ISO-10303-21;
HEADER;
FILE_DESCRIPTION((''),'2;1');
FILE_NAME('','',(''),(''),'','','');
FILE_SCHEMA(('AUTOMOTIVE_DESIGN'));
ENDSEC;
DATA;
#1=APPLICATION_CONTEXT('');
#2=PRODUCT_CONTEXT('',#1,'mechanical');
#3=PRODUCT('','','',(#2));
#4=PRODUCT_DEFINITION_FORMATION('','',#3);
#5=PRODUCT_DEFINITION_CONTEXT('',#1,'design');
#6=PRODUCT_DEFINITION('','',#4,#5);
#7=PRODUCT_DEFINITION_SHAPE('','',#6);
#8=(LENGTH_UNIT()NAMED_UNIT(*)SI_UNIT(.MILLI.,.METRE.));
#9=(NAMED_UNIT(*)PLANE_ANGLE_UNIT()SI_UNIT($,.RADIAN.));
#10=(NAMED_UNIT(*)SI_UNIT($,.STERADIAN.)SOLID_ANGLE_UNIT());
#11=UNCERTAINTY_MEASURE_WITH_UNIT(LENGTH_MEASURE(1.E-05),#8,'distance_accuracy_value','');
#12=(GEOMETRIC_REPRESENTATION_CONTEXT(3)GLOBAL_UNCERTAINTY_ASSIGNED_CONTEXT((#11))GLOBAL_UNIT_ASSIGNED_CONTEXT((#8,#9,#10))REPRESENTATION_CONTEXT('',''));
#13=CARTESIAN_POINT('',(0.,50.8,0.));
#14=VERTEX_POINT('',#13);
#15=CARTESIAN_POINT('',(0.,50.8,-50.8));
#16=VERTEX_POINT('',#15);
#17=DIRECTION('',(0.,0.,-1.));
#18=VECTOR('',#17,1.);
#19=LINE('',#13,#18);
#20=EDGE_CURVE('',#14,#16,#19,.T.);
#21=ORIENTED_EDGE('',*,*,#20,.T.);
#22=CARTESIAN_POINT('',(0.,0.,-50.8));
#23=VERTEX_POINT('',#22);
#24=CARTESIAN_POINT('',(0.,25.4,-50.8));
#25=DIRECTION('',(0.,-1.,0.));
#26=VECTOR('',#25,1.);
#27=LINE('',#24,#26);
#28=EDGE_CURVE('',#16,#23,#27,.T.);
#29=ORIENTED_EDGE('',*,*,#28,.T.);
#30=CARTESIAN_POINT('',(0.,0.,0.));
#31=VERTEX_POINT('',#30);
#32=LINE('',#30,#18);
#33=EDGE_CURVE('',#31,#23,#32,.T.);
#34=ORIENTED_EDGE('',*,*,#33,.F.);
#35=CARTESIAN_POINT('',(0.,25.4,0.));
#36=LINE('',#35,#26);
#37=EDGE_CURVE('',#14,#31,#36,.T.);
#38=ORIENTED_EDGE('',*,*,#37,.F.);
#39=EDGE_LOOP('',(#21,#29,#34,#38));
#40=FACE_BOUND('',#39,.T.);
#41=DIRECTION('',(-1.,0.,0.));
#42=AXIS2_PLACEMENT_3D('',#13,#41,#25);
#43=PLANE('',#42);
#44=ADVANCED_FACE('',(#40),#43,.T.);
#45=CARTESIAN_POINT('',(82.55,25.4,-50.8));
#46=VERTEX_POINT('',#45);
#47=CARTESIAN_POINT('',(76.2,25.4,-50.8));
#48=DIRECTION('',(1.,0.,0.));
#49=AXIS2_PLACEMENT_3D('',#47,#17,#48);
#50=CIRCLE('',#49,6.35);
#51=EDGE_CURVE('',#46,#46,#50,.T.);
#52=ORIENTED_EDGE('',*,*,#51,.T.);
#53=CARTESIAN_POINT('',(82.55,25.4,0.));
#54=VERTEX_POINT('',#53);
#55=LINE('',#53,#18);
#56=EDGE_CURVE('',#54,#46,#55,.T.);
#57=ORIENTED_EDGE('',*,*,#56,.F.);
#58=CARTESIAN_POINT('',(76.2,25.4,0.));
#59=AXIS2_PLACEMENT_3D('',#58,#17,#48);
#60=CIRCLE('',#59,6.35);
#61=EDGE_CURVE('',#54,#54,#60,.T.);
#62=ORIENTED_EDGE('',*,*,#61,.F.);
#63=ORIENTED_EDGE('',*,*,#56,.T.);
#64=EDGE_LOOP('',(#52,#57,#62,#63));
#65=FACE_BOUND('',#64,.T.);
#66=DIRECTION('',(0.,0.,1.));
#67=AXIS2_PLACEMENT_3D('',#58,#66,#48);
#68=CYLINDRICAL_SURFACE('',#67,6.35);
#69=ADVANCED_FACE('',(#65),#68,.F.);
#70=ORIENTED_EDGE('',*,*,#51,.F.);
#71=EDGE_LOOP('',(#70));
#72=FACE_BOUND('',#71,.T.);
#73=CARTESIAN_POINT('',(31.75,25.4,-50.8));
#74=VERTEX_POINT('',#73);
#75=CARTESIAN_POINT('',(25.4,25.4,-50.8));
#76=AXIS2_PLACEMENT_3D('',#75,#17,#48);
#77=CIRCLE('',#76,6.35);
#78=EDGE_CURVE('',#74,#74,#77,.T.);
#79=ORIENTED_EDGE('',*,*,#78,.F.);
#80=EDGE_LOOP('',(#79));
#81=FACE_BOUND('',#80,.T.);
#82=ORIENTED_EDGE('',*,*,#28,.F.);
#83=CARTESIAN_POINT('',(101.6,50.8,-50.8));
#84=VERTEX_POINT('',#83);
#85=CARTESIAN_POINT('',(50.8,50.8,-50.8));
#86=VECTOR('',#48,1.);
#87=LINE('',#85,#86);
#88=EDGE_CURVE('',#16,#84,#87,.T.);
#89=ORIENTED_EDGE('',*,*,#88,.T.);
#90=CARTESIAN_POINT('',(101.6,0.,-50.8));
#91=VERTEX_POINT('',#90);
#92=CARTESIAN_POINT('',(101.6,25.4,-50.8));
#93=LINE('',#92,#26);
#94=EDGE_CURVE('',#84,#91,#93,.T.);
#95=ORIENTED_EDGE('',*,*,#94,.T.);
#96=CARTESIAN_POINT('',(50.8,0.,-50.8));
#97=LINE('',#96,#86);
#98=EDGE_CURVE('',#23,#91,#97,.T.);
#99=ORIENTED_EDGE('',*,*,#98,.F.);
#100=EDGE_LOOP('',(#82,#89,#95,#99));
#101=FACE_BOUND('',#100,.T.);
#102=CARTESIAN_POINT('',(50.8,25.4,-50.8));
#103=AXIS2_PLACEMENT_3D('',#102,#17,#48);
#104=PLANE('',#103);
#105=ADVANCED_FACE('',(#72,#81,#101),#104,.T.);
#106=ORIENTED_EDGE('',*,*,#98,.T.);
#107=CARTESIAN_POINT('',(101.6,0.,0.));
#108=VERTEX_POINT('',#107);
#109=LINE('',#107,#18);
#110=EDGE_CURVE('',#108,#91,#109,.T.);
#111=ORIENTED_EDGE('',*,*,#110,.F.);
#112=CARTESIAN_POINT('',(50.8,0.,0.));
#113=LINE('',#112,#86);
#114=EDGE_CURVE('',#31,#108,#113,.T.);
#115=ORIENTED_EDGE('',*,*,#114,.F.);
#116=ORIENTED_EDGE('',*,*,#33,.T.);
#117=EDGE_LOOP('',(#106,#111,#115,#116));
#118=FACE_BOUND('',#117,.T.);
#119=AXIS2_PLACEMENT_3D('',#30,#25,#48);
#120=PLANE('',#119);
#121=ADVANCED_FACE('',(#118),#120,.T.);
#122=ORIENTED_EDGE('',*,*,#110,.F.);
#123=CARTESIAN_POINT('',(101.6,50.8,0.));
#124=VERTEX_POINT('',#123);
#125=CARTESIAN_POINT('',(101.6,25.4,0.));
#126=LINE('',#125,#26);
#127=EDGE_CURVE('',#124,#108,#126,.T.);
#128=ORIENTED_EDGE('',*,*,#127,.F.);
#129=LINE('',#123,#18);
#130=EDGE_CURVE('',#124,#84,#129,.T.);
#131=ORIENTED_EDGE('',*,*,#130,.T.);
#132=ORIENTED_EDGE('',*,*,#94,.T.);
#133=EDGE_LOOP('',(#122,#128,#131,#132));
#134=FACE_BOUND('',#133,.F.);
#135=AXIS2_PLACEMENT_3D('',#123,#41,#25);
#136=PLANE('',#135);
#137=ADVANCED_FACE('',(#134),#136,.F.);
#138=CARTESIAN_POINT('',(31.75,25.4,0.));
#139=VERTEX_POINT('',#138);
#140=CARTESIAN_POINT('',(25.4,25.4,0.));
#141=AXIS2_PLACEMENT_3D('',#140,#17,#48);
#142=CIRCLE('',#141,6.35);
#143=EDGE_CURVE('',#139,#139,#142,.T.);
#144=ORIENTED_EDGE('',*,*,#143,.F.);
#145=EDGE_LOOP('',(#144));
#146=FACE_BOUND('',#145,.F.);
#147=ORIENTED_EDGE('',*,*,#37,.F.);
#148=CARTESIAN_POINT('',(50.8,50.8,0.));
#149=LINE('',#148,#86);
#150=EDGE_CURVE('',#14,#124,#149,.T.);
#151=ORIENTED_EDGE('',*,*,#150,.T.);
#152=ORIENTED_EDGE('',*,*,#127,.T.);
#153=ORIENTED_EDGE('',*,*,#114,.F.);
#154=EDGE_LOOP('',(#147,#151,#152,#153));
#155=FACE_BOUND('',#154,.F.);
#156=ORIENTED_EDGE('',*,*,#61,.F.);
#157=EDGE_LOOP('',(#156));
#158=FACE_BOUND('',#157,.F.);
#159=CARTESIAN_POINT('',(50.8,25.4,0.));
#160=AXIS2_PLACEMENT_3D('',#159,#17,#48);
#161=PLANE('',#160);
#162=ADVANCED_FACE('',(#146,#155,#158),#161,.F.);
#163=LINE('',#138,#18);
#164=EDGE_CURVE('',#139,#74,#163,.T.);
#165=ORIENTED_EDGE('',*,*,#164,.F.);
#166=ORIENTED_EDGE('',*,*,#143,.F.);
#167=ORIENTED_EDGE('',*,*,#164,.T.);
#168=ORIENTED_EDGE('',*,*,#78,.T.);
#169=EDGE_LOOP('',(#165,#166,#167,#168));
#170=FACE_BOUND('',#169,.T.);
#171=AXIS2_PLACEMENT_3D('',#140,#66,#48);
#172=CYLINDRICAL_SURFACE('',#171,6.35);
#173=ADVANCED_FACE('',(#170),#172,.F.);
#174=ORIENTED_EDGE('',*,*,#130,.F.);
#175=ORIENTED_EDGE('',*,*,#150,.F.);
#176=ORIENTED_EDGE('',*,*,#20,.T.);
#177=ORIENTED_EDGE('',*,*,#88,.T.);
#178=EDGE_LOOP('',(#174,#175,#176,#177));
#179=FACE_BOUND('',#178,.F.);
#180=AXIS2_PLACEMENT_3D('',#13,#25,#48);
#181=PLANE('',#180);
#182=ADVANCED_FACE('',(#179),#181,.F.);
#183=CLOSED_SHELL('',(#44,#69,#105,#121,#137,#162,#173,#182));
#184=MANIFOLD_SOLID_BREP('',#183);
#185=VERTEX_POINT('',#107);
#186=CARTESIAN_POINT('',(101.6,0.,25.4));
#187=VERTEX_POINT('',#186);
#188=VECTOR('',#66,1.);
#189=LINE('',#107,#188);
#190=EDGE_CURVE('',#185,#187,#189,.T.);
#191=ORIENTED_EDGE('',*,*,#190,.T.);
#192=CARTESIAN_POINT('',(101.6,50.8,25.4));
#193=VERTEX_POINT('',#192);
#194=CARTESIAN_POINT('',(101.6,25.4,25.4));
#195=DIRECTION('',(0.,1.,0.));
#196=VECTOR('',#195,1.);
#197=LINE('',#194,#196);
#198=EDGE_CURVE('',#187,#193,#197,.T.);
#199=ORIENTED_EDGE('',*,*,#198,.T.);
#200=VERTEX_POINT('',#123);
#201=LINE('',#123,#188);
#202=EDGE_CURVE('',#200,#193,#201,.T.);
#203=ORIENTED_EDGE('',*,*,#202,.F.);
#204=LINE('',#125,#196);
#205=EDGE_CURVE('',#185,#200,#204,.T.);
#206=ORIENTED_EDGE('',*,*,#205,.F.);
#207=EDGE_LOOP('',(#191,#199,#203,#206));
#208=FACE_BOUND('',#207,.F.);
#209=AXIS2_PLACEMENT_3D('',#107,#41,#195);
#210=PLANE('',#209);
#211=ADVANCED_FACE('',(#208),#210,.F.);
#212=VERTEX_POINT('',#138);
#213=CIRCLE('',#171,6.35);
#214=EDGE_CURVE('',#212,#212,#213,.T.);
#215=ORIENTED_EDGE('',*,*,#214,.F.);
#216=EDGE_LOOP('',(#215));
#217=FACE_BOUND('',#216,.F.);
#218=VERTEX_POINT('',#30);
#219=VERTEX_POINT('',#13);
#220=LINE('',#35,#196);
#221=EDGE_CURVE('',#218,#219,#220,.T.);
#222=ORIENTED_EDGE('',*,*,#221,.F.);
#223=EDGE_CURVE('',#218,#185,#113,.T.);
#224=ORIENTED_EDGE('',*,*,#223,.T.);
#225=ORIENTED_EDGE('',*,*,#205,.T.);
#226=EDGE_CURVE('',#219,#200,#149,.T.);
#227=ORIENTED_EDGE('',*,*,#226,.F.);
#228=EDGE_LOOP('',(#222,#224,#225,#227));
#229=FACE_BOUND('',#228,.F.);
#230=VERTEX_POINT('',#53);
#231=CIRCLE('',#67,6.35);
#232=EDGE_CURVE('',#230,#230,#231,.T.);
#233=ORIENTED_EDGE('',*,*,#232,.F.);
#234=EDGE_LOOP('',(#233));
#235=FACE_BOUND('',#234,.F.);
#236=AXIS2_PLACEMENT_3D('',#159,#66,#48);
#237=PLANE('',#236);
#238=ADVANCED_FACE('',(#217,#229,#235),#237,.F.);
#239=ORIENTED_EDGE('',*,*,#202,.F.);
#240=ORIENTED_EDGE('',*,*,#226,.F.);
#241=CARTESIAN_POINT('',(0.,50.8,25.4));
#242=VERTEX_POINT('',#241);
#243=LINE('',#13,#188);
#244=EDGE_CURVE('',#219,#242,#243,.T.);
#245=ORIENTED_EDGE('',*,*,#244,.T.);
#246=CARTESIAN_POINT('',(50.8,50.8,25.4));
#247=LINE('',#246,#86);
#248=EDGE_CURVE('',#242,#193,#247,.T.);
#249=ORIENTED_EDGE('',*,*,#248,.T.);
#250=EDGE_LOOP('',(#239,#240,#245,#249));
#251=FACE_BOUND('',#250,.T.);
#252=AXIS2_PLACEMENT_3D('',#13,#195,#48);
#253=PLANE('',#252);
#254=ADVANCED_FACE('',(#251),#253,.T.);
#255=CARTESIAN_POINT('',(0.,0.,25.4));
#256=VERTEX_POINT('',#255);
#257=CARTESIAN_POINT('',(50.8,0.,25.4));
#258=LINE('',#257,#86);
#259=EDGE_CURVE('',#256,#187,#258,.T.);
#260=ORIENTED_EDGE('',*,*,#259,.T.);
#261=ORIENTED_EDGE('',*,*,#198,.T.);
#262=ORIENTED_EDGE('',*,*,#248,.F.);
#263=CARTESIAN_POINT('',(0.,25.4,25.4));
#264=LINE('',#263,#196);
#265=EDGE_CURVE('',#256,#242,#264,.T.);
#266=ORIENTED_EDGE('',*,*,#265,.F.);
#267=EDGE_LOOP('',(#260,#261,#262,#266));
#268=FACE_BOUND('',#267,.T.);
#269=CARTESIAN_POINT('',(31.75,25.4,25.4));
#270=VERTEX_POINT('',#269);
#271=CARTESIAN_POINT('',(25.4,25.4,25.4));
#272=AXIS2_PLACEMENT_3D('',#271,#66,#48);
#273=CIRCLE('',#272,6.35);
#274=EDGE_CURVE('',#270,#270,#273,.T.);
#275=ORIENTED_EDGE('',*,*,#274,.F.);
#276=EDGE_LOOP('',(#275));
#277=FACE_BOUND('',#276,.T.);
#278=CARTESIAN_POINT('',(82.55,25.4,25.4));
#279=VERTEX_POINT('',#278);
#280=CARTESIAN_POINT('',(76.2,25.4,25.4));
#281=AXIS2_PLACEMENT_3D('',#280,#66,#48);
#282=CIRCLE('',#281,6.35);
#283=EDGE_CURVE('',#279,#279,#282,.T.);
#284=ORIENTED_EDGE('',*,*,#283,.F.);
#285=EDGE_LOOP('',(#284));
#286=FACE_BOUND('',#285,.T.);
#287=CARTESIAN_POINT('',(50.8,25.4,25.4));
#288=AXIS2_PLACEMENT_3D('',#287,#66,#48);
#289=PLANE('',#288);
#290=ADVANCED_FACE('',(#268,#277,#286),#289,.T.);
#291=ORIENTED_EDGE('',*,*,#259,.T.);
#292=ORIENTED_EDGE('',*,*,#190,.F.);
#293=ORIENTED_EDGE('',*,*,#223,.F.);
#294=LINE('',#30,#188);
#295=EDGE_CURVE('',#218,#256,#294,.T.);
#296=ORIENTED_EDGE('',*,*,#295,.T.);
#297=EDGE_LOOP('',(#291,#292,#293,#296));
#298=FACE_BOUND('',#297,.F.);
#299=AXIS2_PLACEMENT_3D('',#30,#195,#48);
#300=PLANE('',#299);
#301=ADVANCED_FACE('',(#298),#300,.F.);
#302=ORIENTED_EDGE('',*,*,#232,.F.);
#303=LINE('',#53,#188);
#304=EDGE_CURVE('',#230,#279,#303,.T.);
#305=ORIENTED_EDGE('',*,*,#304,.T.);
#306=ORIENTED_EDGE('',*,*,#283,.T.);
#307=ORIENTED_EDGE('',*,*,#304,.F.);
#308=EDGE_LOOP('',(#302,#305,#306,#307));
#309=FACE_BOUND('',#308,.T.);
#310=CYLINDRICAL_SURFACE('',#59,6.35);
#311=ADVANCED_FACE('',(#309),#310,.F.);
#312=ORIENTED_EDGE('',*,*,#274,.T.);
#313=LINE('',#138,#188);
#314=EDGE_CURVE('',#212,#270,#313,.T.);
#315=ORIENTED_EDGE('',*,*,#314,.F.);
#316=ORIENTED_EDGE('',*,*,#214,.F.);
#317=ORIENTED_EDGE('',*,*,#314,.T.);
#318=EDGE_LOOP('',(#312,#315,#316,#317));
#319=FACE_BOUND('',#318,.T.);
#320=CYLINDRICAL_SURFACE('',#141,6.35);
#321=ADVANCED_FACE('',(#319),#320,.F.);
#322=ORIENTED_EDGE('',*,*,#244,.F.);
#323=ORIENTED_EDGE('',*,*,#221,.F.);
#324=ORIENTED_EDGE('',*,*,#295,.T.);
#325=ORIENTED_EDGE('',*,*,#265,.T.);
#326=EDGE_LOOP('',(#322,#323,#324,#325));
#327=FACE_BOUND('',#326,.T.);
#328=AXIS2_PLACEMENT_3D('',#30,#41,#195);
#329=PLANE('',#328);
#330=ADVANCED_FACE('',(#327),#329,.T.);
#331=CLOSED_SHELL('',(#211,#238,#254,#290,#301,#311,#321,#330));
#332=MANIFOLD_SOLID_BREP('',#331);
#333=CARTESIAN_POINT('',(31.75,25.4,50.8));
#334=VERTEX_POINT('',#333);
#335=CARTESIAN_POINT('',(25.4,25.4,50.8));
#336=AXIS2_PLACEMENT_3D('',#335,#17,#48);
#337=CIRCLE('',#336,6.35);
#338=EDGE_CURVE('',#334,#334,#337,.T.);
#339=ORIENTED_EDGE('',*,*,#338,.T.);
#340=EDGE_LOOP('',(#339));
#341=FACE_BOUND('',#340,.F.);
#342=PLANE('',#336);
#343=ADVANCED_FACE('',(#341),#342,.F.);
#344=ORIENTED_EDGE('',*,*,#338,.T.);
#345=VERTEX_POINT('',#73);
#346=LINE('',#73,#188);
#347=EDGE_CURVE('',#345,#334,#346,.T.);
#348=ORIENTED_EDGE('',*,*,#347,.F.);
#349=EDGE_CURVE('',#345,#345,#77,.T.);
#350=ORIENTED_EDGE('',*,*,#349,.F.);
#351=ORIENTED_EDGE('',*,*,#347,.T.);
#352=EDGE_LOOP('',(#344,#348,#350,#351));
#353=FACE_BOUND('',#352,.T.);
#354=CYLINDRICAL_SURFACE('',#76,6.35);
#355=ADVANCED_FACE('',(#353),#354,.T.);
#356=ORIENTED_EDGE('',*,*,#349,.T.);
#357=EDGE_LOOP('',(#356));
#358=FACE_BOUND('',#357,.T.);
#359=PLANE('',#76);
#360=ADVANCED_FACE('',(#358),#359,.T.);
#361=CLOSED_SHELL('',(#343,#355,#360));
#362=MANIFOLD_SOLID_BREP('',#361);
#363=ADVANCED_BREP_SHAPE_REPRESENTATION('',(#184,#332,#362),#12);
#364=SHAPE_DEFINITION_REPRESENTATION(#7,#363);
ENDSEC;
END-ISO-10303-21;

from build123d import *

# Parameters (mm, degrees)
F0_W      = 101.6
F0_H      = 50.8
F0_R      = 6.35
F1_DEPTH  = 25.4
F1_FACE_W = 101.6
F1_FACE_H = 50.8
F1_FACE_R = 6.35
F2_DEPTH  = 50.8
F3_R      = 6.35
F4_DEPTH  = 101.6


with BuildPart() as f1:
    # F0 (on Top) → F1 (new body)
    with BuildSketch(Plane.XY):
        with Locations((50.8, 25.4)):
            Rectangle(F0_W, F0_H)
        with Locations((25.4, 25.4)):
            Circle(F0_R, mode=Mode.SUBTRACT)
        with Locations((76.2, 25.4)):
            Circle(F0_R, mode=Mode.SUBTRACT)
    extrude(amount=F1_DEPTH)


with BuildPart() as f2:
    # F1_face (on face) → F2 (new body)
    with BuildSketch(Plane(origin=(50.8, 25.4, 0), x_dir=(1, 0, 0), z_dir=(0, 0, -1))):
        Rectangle(F1_FACE_W, F1_FACE_H)
        with Locations((-25.4, 0)):
            Circle(F1_FACE_R, mode=Mode.SUBTRACT)
        with Locations((25.4, 0)):
            Circle(F1_FACE_R, mode=Mode.SUBTRACT)
    extrude(amount=F2_DEPTH)


with BuildPart() as f4:
    # F3 (on face) → F4 (new body)
    with BuildSketch(Plane(origin=(0, 0, -50.8), x_dir=(1, 0, 0), z_dir=(0, 0, -1))):
        with Locations((25.4, -25.4)):
            Circle(F3_R)
    extrude(amount=-F4_DEPTH)


solid = Compound([f1.part, f2.part, f4.part])
